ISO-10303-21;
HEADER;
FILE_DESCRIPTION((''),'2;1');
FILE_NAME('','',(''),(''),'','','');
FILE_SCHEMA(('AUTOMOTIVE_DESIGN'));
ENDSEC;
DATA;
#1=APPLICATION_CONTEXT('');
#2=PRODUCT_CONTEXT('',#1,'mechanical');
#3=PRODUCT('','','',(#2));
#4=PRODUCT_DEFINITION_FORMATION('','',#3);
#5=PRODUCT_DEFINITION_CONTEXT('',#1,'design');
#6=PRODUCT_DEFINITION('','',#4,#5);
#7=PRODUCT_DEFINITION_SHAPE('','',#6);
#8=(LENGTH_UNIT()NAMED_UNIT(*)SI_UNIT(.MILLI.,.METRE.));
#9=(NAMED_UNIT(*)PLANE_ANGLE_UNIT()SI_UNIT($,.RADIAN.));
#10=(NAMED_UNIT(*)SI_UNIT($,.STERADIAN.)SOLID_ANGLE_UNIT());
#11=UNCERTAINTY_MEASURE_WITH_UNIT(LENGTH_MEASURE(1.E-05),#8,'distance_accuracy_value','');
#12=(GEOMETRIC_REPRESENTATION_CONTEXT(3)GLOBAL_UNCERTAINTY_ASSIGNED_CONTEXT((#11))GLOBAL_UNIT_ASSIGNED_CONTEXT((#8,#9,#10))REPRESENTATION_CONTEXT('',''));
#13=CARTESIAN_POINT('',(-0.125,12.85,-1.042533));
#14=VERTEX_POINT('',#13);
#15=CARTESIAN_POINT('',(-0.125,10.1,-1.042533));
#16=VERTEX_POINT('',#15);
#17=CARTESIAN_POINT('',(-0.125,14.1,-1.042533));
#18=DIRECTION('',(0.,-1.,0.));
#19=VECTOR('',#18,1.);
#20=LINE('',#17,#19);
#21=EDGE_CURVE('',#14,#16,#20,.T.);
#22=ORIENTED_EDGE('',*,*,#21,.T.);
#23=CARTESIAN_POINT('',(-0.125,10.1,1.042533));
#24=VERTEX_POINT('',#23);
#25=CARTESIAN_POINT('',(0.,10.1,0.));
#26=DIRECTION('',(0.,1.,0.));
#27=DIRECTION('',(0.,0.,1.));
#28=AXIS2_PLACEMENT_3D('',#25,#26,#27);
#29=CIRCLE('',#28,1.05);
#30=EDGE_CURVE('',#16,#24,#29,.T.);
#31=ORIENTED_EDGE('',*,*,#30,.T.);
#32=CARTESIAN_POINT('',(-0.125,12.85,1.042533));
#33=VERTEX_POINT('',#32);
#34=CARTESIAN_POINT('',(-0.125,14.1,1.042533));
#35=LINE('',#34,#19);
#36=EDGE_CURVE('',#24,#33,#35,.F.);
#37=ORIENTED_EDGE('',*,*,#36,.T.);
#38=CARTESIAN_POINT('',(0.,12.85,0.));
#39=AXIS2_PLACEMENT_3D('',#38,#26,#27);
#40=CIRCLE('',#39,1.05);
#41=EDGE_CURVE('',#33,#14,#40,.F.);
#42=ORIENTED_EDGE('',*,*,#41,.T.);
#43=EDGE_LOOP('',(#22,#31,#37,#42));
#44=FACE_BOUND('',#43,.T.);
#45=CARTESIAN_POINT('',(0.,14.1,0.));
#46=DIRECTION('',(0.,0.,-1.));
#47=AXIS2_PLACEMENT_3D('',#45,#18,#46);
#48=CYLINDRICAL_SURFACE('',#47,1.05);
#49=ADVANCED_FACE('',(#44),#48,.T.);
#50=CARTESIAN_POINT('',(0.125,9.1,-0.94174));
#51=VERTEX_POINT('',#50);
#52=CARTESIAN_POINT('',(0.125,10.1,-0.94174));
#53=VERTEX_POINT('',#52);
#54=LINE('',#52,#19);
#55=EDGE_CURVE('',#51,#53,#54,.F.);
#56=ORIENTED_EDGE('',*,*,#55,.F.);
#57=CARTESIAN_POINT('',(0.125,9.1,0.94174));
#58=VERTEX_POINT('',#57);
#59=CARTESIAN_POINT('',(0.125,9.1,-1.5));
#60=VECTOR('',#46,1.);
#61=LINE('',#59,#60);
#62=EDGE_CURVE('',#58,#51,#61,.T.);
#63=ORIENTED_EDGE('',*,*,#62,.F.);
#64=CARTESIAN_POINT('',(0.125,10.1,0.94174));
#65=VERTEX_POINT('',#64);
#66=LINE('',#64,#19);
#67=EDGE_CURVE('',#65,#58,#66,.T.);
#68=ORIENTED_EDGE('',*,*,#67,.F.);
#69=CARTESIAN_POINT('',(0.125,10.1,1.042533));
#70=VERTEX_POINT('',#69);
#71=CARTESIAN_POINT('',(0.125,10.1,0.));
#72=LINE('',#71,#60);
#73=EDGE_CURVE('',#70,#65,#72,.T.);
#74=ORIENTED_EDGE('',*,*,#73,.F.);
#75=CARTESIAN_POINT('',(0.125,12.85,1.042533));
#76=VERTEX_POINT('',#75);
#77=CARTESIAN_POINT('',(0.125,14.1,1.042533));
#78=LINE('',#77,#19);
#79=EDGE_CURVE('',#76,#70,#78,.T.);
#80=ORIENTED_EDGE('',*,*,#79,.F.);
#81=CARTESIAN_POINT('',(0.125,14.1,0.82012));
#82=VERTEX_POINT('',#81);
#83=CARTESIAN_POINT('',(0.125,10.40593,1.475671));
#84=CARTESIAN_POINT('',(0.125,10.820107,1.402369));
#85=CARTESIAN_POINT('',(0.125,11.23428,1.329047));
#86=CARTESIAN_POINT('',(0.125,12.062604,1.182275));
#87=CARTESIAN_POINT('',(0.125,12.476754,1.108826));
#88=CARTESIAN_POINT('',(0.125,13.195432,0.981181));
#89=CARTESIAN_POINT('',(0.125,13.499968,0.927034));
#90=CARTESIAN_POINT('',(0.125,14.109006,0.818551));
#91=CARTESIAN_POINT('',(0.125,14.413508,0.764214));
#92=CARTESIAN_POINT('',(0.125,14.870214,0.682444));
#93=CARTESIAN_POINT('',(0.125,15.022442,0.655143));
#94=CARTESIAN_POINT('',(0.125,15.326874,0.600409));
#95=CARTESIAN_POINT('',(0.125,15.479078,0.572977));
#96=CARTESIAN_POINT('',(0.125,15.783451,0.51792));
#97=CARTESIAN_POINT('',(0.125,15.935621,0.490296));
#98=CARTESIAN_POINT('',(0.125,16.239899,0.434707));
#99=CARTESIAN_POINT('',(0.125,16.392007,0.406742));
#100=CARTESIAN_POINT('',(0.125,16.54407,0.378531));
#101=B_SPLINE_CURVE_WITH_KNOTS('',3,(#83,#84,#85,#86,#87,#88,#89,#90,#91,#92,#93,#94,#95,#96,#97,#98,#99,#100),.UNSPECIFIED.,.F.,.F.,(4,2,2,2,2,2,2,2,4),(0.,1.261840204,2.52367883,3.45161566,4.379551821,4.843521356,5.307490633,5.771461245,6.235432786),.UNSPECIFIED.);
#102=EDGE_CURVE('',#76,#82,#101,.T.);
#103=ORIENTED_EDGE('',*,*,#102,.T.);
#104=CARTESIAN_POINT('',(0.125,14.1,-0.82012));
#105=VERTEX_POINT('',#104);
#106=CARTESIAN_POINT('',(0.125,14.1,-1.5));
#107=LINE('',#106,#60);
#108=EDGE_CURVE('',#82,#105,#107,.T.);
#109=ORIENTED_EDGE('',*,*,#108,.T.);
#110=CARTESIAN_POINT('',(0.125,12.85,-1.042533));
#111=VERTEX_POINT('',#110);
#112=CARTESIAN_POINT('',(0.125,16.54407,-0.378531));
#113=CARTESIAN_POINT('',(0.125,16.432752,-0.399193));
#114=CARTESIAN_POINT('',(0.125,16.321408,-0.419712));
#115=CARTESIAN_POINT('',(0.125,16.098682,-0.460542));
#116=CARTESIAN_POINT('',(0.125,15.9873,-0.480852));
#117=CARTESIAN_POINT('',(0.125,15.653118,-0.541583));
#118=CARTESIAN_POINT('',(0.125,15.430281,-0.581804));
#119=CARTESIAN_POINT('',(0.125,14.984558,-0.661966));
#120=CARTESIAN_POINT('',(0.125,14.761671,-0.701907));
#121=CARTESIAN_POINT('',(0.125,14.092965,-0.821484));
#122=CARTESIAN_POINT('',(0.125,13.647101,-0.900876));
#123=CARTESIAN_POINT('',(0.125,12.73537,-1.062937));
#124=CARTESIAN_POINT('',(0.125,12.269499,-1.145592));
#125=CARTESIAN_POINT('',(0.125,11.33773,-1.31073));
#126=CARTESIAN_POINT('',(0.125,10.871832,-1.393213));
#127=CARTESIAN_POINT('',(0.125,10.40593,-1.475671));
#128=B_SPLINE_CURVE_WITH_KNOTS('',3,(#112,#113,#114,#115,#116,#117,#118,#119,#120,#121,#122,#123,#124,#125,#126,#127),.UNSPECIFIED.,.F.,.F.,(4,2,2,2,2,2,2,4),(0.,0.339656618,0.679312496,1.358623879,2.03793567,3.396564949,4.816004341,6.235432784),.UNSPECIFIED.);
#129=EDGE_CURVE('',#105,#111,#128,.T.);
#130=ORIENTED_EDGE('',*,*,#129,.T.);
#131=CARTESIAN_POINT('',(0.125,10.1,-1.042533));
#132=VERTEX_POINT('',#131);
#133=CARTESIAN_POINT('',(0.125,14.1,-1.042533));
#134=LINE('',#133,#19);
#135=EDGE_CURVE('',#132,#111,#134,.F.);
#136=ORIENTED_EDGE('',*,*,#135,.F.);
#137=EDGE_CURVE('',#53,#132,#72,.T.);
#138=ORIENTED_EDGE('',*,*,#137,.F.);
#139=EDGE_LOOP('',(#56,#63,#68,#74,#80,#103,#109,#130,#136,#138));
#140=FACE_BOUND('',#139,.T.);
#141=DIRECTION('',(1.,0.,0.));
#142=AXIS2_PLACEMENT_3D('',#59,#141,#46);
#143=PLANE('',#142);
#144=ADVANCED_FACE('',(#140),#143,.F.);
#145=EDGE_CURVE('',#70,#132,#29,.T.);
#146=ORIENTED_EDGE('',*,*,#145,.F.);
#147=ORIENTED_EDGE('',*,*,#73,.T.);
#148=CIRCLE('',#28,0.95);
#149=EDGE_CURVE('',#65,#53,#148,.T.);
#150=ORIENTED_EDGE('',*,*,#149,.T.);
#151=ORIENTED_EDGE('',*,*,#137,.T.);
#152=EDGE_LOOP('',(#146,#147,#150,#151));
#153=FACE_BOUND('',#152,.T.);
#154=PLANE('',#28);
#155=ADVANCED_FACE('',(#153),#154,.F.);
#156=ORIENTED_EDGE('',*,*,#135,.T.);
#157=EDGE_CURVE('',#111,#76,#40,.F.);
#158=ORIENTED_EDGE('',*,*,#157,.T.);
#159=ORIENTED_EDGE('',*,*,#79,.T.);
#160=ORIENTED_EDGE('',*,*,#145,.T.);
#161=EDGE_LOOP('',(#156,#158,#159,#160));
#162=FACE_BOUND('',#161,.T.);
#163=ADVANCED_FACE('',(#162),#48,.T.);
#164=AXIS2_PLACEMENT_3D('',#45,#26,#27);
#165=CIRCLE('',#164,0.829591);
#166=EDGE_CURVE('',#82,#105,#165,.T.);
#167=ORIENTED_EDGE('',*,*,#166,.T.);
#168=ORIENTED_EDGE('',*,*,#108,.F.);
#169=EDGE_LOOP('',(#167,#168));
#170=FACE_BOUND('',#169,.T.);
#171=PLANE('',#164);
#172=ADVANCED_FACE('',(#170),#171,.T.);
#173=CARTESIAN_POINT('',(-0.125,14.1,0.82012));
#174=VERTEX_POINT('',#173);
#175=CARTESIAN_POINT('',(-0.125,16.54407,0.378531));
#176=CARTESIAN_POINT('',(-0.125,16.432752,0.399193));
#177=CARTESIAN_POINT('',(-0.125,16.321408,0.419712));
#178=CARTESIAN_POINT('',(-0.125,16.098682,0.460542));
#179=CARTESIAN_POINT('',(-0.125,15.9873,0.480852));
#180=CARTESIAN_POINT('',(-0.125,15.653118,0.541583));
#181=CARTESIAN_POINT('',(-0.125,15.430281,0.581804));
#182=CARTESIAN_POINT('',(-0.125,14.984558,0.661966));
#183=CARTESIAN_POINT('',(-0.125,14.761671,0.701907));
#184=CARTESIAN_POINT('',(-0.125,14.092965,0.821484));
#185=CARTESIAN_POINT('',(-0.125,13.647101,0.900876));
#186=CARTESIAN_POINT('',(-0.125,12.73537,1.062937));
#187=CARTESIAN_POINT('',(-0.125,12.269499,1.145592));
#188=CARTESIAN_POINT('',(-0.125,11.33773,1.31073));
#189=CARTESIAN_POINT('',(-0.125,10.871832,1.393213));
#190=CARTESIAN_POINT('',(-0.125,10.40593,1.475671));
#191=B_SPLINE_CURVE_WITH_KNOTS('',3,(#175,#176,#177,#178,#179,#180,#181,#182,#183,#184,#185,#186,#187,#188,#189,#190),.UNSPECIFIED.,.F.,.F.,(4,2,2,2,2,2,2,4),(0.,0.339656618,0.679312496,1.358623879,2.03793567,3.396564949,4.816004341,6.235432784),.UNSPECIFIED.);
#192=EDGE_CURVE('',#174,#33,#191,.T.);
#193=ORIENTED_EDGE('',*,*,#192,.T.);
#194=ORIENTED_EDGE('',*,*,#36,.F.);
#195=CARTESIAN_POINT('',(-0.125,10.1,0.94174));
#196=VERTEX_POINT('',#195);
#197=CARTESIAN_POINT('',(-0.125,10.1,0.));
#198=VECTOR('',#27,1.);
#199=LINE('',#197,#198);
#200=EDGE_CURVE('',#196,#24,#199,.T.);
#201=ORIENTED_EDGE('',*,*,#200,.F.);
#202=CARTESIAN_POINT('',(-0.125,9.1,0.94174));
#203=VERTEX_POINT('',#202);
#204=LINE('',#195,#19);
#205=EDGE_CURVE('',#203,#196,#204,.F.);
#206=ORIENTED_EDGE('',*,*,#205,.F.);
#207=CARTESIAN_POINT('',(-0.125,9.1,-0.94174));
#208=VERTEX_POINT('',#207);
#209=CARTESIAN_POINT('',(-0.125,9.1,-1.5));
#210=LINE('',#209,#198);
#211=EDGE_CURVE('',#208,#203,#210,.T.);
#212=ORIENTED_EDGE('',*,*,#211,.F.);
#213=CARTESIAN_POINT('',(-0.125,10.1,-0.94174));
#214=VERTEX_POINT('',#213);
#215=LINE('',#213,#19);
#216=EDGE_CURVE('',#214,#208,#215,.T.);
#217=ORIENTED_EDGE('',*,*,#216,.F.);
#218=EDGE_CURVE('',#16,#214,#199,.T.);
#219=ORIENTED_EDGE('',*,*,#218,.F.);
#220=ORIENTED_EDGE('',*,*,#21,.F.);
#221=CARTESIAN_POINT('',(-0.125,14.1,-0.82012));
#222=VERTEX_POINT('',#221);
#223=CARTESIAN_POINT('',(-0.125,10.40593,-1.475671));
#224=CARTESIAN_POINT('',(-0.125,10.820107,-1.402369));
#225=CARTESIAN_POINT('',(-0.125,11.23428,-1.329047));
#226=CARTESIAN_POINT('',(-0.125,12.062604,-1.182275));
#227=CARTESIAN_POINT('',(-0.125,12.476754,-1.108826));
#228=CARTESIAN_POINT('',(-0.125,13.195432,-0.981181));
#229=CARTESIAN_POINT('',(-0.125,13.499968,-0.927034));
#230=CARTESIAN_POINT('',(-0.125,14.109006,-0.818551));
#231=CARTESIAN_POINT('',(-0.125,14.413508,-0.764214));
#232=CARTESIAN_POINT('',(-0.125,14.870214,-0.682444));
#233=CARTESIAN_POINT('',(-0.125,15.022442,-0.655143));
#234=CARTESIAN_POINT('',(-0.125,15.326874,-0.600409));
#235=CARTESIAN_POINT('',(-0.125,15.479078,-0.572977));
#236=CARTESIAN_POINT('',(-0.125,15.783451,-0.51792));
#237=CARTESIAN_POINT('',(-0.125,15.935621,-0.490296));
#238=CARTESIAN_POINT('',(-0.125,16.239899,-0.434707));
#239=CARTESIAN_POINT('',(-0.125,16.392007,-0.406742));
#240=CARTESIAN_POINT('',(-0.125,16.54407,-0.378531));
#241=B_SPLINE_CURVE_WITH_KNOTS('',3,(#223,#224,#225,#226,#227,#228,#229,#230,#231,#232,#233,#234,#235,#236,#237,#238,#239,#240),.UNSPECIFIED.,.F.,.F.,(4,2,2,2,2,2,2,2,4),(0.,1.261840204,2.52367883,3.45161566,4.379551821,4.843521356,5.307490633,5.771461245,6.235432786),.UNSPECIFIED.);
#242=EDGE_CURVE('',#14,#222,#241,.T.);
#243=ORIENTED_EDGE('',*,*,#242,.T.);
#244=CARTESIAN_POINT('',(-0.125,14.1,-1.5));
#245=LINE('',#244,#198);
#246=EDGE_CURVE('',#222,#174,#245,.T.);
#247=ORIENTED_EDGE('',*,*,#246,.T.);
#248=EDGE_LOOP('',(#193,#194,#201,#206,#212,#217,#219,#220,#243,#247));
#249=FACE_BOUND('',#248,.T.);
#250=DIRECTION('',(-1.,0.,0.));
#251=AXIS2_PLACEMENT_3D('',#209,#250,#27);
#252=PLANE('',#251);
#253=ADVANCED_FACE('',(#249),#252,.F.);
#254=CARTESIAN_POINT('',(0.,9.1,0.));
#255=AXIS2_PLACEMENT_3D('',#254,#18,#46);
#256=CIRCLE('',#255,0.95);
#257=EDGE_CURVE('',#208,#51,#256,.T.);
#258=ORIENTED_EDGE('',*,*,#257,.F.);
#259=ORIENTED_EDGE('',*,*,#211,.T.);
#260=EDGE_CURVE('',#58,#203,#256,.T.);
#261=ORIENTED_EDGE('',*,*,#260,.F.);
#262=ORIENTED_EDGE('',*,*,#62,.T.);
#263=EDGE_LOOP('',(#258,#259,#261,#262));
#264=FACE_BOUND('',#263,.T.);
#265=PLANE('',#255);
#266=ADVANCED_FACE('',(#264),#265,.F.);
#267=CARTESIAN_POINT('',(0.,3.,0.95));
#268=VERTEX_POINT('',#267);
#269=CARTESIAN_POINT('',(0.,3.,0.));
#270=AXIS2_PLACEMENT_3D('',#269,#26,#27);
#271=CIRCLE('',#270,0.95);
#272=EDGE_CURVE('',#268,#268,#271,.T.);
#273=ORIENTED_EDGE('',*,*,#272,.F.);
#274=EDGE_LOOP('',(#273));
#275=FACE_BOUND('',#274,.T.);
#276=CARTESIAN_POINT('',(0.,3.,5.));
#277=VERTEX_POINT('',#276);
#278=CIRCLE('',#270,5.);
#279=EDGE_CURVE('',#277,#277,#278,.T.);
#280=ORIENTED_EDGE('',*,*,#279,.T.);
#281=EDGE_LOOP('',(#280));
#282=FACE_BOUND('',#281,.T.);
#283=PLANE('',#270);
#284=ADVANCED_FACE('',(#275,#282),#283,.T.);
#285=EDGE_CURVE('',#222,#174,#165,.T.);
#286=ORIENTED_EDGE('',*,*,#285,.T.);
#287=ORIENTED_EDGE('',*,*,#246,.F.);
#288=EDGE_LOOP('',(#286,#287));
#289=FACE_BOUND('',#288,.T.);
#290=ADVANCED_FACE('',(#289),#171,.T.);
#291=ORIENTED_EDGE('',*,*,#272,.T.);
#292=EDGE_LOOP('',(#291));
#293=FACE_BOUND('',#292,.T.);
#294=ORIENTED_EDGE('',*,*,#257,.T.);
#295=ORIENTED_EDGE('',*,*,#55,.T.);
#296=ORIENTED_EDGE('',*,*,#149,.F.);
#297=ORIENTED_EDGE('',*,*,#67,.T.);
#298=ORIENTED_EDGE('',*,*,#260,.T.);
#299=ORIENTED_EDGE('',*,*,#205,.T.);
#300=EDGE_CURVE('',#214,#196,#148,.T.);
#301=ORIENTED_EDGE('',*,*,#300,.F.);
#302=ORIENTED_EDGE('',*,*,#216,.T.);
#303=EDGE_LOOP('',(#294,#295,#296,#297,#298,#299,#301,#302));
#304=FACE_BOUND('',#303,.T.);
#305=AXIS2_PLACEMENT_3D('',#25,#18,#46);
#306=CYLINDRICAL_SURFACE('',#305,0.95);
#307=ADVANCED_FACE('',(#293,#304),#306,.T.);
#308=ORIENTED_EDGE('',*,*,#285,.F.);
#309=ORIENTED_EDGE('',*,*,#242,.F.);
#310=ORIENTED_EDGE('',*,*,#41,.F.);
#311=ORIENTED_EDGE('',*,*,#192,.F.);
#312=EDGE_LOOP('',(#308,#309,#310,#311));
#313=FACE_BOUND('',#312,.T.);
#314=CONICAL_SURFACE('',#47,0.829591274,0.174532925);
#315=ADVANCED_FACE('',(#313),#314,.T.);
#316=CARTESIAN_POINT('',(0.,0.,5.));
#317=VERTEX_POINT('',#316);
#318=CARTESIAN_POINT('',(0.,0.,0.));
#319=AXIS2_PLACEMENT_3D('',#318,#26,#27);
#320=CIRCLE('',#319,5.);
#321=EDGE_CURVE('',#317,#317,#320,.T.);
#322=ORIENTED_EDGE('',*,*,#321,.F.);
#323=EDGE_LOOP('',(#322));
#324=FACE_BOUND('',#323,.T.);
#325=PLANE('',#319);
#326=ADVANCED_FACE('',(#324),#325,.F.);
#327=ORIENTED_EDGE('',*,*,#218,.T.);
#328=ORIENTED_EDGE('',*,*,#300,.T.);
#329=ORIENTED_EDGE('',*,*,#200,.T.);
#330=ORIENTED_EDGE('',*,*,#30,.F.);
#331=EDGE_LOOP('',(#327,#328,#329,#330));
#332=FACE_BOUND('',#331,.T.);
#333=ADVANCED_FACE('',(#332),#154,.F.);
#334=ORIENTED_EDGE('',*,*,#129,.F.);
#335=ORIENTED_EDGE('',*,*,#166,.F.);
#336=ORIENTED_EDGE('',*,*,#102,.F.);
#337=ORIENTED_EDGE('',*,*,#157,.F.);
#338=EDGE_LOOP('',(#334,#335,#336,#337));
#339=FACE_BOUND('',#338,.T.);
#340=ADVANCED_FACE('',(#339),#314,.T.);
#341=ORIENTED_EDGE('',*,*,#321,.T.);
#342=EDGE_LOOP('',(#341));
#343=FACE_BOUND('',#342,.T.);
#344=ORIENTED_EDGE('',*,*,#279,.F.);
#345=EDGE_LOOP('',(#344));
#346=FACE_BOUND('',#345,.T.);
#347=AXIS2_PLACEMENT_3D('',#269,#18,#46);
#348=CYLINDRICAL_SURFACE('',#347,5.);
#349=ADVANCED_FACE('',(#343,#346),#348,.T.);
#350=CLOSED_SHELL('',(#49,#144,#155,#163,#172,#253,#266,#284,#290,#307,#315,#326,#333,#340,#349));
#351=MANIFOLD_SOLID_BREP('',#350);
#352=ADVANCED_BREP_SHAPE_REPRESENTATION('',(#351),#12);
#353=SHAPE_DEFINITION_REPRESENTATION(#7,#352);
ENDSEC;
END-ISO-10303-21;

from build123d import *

# Parameters (mm, degrees)
ESQUISSE2_R             = 5
BOSS_EXTRU_1_DEPTH      = 3
ESQUISSE3_R             = 0.95
BOSS_EXTRU_2_DEPTH      = 7.1
ESQUISSE4_R             = 1.05
BOSS_EXTRU_3_DEPTH      = 4
CHANFREIN3_SIZE         = 1.25
CHANFREIN3_SIZE2        = 0.220408726
ESQUISSE5_W             = 0.25
ESQUISSE5_H             = 3
ENL_V_MAT_EXTRU_1_DEPTH = 5


with BuildPart() as part:
    # Esquisse2 → Boss.-Extru.1 (new body)
    with BuildSketch(Plane(origin=(0, 0, 0), x_dir=(1, 0, 0), z_dir=(0, 1, 0))):
        with Locations(Location((0, 0, 0), (0, 0, 270))):
            Circle(ESQUISSE2_R)
    extrude(amount=BOSS_EXTRU_1_DEPTH)

    # Esquisse3 → Boss.-Extru.2 (add)
    with BuildSketch(Plane(origin=(0, 3, 0), x_dir=(1, 0, 0), z_dir=(0, 1, 0))):
        with Locations(Location((0, 0, 0), (0, 0, 270))):
            Circle(ESQUISSE3_R)
    extrude(amount=BOSS_EXTRU_2_DEPTH)

    # Esquisse4 → Boss.-Extru.3 (add)
    with BuildSketch(Plane(origin=(0, 10.1, 0), x_dir=(1, 0, 0), z_dir=(0, 1, 0))):
        with Locations(Location((0, 0, 0), (0, 0, 270))):
            Circle(ESQUISSE4_R)
    extrude(amount=BOSS_EXTRU_3_DEPTH)

    # Chanfrein3
    chanfrein3_edges = [part.edges().sort_by_distance(p)[0] for p in [
        (0, 14.1, -1.05),
    ]]
    chanfrein3_side = [part.faces().sort_by_distance(p)[0] for p in [
        (0, 12.1, -1.05),
    ]]
    chamfer(chanfrein3_edges, length=CHANFREIN3_SIZE, length2=CHANFREIN3_SIZE2, reference=chanfrein3_side[0])

    # Esquisse5 → Enlèv. mat.-Extru.1 (cut)
    with BuildSketch(Plane(origin=(0, 14.1, 0), x_dir=(1, 0, 0), z_dir=(0, 1, 0))):
        Rectangle(ESQUISSE5_W, ESQUISSE5_H)
    extrude(amount=-ENL_V_MAT_EXTRU_1_DEPTH, mode=Mode.SUBTRACT)


solid = part.part
